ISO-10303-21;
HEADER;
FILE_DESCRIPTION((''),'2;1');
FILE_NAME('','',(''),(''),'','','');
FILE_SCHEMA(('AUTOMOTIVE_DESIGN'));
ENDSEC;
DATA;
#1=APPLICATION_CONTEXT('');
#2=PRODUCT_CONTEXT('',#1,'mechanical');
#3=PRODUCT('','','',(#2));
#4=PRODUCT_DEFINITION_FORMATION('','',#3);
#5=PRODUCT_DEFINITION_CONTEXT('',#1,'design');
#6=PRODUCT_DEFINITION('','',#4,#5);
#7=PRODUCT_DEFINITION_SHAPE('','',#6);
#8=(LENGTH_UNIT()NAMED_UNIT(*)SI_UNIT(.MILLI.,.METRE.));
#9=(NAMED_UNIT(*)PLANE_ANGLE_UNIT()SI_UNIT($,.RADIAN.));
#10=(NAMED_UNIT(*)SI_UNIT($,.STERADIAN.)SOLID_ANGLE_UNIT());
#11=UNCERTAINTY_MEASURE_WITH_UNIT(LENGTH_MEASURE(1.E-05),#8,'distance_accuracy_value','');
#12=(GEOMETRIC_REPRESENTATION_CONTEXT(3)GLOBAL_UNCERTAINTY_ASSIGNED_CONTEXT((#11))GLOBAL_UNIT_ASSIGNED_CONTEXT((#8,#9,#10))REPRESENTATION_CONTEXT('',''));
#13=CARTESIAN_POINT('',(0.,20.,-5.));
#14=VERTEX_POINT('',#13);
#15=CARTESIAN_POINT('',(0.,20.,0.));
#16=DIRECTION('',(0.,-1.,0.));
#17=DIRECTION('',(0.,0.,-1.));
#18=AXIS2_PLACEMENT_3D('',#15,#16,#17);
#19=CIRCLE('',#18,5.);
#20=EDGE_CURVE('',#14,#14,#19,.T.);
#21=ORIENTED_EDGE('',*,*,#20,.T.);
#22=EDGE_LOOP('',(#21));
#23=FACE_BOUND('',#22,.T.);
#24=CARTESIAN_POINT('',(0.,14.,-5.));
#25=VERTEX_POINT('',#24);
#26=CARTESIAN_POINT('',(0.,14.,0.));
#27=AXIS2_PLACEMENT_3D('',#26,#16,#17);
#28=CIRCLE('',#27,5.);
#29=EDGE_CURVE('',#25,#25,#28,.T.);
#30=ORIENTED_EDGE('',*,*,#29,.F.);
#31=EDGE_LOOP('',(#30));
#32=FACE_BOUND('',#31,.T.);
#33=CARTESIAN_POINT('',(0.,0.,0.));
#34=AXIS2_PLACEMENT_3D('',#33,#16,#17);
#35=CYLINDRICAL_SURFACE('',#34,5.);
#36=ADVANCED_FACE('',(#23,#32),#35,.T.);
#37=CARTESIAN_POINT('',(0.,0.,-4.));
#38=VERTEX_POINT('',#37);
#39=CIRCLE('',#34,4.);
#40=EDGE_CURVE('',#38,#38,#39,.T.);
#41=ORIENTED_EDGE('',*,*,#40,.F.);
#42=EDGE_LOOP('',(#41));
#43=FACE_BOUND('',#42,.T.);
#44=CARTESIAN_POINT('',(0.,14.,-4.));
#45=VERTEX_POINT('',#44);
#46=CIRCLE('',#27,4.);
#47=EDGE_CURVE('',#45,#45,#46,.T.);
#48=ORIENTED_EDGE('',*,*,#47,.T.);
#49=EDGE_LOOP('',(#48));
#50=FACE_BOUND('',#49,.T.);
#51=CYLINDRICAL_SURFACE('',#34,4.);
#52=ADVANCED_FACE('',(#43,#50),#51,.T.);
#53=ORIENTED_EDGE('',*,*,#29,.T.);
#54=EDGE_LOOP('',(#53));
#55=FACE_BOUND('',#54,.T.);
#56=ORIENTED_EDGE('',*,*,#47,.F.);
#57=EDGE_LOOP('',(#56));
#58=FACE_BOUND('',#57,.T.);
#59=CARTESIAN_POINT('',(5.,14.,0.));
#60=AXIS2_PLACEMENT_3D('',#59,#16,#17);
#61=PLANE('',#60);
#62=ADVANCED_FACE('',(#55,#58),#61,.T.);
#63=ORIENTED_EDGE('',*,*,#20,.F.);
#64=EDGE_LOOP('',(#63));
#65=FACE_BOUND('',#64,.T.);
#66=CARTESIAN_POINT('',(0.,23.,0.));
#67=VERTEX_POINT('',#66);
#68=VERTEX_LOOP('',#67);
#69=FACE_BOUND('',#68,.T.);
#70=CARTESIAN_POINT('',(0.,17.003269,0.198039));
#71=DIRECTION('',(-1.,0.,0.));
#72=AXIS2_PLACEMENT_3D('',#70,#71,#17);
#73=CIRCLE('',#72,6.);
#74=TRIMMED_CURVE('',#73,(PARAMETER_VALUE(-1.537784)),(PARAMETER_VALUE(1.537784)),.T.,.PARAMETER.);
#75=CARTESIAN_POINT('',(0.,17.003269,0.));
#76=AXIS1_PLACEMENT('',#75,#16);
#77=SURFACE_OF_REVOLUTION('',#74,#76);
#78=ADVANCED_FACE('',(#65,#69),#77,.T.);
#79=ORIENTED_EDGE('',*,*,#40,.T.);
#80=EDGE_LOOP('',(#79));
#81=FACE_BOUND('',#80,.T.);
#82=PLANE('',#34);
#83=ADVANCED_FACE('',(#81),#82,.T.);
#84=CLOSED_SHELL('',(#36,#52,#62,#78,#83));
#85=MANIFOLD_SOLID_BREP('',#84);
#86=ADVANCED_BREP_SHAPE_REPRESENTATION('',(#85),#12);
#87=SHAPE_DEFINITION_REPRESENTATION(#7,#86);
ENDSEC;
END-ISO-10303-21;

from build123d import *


with BuildPart() as part:
    # Sketch1 → Revolve1 (revolve)
    with BuildSketch(Plane.XY, mode=Mode.PRIVATE) as revolve1_sk:
        with BuildLine():
            Line((0, 0), (0, 23))
            ThreePointArc((0, 23), (2.888936029, 22.148226716), (5, 20))
            Line((5, 20), (5, 14))
            Line((5, 14), (4, 14))
            Line((4, 14), (4, 0))
            Line((4, 0), (0, 0))
        make_face()
    revolve(revolve1_sk.sketch.rotate(Axis((0, 0, 0), (0, 1, 0)), 90), axis=Axis((0, 0, 0), (0, 1, 0)))


solid = part.part
